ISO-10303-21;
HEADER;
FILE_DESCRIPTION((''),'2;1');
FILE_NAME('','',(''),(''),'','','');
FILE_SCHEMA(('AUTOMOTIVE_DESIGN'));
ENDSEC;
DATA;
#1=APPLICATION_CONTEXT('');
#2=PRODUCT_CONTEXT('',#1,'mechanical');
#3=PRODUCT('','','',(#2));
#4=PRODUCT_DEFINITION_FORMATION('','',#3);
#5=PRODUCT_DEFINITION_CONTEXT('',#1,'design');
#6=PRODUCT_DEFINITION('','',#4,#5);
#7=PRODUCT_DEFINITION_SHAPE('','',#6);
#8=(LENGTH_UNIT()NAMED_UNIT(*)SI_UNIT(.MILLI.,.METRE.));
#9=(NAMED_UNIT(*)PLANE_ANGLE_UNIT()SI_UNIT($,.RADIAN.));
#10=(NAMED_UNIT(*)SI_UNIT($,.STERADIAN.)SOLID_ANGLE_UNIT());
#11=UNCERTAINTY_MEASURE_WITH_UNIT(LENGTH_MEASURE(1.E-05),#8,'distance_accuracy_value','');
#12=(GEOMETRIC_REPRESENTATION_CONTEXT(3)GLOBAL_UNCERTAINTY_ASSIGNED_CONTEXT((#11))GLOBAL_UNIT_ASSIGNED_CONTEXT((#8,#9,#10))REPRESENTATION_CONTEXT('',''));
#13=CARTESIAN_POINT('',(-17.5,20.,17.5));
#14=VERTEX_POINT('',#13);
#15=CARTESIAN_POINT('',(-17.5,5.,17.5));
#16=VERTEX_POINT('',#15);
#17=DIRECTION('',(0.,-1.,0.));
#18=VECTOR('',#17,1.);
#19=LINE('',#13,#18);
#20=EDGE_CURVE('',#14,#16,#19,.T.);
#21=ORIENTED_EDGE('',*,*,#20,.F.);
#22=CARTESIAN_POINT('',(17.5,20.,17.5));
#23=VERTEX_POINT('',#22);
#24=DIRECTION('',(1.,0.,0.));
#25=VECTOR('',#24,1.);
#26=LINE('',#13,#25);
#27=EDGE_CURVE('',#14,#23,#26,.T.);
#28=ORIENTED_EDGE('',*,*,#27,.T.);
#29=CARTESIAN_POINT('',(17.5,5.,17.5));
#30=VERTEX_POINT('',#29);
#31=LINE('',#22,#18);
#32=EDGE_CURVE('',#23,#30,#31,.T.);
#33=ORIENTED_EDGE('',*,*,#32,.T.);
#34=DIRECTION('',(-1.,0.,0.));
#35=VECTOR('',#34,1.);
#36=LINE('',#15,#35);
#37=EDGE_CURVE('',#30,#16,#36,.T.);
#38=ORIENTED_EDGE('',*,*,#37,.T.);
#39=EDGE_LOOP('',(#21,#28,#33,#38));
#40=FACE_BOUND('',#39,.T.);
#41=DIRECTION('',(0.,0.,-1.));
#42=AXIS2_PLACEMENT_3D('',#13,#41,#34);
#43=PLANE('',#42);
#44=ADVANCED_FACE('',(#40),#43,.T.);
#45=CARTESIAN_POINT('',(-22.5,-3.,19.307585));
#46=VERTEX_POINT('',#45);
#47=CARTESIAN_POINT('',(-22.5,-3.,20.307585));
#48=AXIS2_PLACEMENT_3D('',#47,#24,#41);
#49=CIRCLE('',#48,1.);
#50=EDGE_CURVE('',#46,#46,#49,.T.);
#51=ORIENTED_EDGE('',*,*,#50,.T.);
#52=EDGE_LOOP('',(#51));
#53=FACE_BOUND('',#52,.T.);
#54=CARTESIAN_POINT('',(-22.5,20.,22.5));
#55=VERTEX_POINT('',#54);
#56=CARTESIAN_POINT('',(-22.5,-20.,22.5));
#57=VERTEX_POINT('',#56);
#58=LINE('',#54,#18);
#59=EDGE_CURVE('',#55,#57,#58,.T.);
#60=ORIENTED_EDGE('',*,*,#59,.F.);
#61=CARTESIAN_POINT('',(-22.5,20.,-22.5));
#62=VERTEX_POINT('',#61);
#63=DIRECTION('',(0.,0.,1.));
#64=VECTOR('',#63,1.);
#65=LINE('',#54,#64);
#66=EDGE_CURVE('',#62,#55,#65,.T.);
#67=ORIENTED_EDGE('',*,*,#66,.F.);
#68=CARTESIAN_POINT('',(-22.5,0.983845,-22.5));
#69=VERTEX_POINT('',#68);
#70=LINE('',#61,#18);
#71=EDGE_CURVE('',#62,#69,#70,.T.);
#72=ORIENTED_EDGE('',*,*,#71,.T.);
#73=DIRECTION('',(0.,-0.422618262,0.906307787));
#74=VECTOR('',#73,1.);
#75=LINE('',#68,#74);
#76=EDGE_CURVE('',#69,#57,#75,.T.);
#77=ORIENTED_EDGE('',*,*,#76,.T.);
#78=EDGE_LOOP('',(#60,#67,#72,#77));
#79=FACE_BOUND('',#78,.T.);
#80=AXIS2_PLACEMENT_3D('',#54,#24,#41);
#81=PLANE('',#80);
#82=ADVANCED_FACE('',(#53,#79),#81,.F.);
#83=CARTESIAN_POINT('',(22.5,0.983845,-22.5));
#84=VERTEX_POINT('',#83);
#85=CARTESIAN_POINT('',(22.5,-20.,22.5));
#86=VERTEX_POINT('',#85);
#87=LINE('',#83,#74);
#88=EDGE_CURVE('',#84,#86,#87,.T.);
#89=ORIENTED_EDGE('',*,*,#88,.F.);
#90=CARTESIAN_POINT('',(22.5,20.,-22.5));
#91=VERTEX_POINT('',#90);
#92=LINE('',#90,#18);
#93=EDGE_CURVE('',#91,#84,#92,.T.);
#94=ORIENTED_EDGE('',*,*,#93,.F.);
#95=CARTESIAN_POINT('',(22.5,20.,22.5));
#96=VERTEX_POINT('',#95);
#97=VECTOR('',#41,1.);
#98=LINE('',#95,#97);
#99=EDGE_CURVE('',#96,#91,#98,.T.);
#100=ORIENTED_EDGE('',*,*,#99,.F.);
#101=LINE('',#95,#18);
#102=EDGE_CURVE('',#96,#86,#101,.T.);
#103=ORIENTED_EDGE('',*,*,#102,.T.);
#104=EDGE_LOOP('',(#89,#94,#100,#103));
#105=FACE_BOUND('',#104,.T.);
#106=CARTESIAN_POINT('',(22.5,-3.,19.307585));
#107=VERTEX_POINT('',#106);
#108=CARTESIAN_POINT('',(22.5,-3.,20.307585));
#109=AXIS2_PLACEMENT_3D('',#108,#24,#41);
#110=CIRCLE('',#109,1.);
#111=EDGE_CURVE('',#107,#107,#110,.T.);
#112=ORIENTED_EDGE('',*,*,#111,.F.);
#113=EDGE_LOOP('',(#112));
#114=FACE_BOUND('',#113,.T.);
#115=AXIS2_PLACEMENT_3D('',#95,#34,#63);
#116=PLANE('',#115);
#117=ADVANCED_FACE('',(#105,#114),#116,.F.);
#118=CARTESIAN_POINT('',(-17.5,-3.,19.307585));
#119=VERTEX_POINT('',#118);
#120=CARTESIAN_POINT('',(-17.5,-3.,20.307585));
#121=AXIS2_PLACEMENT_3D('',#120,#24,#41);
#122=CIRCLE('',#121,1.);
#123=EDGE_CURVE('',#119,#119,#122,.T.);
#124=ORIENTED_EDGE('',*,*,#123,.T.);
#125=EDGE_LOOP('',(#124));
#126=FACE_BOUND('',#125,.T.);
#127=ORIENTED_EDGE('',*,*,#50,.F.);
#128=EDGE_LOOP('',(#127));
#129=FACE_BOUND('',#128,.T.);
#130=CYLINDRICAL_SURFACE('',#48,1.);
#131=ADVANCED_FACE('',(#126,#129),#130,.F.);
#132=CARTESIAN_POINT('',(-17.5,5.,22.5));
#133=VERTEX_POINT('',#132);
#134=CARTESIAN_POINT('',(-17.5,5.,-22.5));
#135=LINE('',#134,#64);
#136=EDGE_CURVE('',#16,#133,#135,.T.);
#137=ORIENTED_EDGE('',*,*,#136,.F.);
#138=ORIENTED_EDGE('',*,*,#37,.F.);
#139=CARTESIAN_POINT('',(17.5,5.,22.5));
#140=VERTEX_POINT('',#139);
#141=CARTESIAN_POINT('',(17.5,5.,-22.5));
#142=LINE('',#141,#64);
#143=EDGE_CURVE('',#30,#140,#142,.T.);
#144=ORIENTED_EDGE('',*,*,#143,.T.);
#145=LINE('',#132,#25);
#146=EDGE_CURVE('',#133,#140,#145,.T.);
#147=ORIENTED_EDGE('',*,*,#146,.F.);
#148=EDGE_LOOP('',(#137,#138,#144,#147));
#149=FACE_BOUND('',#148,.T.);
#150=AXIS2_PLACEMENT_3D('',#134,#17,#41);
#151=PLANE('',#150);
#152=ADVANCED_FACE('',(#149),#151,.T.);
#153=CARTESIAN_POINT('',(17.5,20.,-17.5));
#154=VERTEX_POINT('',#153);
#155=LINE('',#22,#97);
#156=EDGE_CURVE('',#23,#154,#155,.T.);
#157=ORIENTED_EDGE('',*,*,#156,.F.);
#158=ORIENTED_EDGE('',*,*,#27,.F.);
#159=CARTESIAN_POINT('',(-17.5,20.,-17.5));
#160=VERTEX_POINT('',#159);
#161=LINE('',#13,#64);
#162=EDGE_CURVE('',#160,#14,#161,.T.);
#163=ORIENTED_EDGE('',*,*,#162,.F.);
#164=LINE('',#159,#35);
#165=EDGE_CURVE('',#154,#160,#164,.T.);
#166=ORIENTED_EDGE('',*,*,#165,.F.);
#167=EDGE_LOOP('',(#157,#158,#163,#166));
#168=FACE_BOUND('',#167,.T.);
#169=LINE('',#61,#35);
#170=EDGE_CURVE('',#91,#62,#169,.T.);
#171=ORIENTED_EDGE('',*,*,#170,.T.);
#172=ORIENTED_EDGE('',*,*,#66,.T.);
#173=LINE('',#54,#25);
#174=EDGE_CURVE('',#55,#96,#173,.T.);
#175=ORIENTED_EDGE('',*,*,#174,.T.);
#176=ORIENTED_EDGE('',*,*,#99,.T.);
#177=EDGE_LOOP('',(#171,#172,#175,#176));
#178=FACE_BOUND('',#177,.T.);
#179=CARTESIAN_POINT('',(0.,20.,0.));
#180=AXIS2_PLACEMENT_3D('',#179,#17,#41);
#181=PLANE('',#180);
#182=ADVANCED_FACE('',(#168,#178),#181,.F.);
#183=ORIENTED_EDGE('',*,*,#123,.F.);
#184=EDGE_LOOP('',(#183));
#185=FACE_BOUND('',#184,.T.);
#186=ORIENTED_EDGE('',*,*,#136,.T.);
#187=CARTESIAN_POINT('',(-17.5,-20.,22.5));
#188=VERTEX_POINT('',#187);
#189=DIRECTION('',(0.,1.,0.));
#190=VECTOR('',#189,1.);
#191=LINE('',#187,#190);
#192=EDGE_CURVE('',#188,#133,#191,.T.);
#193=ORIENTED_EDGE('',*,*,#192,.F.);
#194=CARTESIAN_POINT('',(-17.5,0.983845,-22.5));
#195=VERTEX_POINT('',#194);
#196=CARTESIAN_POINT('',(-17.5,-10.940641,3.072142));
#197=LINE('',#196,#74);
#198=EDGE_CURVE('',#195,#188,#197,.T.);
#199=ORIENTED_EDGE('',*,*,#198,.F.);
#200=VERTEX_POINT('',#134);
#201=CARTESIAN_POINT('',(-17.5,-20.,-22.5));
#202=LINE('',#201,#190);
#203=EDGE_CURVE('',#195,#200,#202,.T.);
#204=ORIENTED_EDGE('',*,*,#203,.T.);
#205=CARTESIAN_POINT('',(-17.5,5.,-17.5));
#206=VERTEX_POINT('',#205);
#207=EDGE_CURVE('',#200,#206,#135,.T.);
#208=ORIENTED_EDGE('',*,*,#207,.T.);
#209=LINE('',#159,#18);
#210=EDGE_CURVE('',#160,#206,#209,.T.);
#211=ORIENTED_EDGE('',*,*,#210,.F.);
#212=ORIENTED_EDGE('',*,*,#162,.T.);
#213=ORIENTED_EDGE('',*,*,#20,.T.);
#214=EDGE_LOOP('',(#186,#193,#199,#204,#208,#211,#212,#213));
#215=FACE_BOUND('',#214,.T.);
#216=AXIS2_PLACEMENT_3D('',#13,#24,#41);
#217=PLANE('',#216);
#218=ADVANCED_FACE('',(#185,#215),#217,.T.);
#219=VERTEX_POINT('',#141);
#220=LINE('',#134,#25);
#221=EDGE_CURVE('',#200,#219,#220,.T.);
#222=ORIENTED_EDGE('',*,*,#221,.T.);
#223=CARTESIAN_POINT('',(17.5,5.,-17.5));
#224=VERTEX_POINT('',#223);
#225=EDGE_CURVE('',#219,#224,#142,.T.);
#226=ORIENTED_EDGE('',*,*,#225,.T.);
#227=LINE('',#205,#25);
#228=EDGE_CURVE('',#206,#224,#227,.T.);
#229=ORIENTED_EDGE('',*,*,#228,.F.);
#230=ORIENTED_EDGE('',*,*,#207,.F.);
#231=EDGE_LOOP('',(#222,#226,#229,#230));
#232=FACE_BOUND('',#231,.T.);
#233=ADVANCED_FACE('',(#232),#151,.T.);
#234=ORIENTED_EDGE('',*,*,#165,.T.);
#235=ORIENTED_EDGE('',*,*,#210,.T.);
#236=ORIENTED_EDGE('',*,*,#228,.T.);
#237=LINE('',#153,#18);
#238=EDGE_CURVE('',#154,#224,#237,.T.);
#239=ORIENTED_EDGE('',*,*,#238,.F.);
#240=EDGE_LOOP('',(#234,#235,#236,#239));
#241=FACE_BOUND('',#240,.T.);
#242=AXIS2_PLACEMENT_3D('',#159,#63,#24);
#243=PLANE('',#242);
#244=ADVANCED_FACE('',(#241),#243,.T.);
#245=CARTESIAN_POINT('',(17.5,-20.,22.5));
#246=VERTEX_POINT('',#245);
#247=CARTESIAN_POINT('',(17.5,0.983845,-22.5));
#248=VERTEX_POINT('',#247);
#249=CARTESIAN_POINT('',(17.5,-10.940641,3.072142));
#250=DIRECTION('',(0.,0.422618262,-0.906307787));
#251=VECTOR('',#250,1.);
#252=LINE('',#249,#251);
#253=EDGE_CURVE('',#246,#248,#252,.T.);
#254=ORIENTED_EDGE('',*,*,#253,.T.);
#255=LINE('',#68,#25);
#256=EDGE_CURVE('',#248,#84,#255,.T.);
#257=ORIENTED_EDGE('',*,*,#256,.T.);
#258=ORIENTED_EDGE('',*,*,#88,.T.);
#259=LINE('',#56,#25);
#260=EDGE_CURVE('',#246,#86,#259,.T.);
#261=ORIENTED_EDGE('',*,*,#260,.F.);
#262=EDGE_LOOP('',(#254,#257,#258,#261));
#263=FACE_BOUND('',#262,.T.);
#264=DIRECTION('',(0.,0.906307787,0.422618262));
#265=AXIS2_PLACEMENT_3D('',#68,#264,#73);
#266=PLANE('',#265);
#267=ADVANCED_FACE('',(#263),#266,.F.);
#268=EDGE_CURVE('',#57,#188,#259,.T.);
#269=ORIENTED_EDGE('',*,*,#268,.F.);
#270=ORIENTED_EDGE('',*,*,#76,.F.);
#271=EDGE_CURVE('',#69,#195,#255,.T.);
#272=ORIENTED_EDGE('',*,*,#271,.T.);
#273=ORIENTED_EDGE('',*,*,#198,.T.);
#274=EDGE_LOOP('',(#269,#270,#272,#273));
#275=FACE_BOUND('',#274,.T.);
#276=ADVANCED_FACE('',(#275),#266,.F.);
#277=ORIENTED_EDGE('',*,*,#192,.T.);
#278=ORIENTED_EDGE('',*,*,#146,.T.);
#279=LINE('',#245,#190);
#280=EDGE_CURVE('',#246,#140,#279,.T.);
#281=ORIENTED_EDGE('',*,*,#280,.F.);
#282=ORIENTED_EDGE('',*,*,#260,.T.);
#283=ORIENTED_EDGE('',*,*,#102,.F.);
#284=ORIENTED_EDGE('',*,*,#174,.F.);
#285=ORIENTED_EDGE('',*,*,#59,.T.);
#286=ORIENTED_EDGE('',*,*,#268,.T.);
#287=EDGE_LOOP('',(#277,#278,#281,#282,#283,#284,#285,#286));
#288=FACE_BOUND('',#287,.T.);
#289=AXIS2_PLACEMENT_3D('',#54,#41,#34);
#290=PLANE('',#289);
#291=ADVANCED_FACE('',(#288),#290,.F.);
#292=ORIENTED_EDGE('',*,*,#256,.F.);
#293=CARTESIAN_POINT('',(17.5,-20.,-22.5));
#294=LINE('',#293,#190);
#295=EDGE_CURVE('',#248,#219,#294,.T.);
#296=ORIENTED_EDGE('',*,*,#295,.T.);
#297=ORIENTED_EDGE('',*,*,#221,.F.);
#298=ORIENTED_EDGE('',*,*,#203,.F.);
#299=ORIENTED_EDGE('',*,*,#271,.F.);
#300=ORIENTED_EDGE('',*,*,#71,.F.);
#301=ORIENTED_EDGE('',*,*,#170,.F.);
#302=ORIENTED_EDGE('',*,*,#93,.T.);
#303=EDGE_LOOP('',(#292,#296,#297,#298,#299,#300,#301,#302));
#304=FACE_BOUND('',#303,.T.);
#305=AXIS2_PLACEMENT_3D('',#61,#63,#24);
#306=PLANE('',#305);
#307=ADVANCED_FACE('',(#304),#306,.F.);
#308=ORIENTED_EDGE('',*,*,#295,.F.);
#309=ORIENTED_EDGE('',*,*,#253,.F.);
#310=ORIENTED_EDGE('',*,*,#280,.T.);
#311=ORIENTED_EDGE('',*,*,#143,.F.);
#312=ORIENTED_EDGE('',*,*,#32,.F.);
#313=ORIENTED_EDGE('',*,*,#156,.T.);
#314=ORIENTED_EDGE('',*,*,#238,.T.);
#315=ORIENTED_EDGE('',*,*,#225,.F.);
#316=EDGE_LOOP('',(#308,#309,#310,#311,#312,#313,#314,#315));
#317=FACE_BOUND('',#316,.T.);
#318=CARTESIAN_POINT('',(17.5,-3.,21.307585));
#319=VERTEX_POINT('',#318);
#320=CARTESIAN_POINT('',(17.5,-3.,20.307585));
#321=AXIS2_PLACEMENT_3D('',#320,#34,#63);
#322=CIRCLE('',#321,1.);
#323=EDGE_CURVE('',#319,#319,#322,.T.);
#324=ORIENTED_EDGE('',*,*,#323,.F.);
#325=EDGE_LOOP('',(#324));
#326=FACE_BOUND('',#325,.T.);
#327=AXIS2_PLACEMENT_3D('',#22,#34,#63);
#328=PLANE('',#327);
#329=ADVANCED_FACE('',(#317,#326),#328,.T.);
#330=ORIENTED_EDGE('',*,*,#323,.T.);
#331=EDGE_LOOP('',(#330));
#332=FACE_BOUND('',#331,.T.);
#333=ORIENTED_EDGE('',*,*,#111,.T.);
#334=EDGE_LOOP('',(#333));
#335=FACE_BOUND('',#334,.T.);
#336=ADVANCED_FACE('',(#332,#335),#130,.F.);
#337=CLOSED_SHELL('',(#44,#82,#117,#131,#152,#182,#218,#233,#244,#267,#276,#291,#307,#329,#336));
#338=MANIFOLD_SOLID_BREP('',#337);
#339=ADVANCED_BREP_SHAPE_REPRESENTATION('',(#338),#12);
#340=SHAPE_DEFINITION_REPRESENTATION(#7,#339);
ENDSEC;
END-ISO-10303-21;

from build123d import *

# Parameters (mm, degrees)
CROQUIS1_W              = 45
CROQUIS1_H              = 45
CROQUIS1_W_2            = 35
CROQUIS1_H_2            = 35
SALIENTE_EXTRUIR1_DEPTH = 20
CORTAR_EXTRUIR1_DEPTH   = 46
CROQUIS6_W              = 35
CROQUIS6_H              = 25
CORTAR_EXTRUIR2_DEPTH   = 46
CROQUIS7_R              = 1
CORTAR_EXTRUIR3_DEPTH   = 46


with BuildPart() as part:
    # Croquis1 → Saliente-Extruir1 (new body, symmetric)
    with BuildSketch(Plane(origin=(0, 0, 0), x_dir=(1, 0, 0), z_dir=(0, 1, 0))):
        Rectangle(CROQUIS1_W, CROQUIS1_H)
        Rectangle(CROQUIS1_W_2, CROQUIS1_H_2, mode=Mode.SUBTRACT)
    extrude(amount=SALIENTE_EXTRUIR1_DEPTH, both=True)

    # Croquis3 → Cortar-Extruir1 (cut, through all)
    with BuildSketch(Plane(origin=(22.5, 0, 0), x_dir=(0, 0, -1), z_dir=(1, 0, 0))):
        Polygon((-22.5, -20), (22.5, -20), (22.5, 0.983844617), align=None)
    extrude(amount=-CORTAR_EXTRUIR1_DEPTH, mode=Mode.SUBTRACT)

    # Croquis6 → Cortar-Extruir2 (cut, through all)
    with BuildSketch(Plane.XY.offset(22.5)):
        with Locations((0, -7.5)):
            Rectangle(CROQUIS6_W, CROQUIS6_H)
    extrude(amount=-CORTAR_EXTRUIR2_DEPTH, mode=Mode.SUBTRACT)

    # Croquis7 → Cortar-Extruir3 (cut, through all)
    with BuildSketch(Plane(origin=(22.5, 0, 0), x_dir=(0, 0, -1), z_dir=(1, 0, 0))):
        with Locations((-20.307584971, -3)):
            Circle(CROQUIS7_R)
    extrude(amount=-CORTAR_EXTRUIR3_DEPTH, mode=Mode.SUBTRACT)


solid = part.part
